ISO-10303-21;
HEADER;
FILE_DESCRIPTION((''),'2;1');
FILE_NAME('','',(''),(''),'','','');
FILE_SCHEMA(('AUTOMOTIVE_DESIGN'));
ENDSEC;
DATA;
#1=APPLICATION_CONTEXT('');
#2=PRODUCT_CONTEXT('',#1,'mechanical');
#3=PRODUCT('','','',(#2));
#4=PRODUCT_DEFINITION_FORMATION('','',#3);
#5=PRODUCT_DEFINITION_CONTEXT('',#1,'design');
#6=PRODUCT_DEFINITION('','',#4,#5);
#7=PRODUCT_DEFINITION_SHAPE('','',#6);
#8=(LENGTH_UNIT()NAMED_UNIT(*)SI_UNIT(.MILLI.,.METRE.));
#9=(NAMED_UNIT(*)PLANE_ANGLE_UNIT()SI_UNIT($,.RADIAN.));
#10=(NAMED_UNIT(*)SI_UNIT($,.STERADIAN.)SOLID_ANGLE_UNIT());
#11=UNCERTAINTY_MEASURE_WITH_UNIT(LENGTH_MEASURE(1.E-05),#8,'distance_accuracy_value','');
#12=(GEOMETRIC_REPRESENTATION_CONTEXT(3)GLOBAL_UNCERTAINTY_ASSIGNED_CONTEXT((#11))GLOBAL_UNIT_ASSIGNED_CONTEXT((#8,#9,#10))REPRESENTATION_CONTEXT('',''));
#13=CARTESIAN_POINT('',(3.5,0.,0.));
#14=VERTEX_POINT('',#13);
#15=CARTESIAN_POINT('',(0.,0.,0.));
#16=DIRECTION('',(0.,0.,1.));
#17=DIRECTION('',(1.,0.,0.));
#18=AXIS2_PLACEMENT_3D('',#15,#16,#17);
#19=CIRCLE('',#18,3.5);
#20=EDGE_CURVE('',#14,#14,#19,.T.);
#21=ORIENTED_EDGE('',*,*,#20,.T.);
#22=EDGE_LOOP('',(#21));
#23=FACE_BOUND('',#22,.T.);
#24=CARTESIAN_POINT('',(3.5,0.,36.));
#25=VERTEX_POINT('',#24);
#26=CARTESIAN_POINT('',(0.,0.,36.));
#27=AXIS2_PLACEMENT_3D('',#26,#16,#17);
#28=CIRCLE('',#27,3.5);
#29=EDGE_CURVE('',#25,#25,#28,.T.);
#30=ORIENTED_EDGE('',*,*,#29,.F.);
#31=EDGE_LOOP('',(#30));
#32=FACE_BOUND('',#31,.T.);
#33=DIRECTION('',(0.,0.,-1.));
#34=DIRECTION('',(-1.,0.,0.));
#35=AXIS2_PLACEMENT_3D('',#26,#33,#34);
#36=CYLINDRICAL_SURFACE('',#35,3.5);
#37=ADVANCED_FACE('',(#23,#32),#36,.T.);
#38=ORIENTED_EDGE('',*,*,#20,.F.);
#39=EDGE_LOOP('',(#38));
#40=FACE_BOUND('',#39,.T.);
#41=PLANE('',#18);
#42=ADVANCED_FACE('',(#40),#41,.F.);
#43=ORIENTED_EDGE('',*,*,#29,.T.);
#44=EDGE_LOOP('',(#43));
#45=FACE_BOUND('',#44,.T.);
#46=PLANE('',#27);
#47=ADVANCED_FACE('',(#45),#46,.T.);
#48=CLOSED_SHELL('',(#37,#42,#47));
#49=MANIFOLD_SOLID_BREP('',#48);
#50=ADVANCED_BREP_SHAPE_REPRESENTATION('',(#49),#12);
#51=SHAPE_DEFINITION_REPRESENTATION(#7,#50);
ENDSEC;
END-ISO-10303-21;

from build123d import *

# Parameters (mm, degrees)
CROQUIS1_R              = 3.5
SALIENTE_EXTRUIR1_DEPTH = 36


with BuildPart() as part:
    # Croquis1 → Saliente-Extruir1 (new body)
    with BuildSketch(Plane.XY):
        Circle(CROQUIS1_R)
    extrude(amount=SALIENTE_EXTRUIR1_DEPTH)


solid = part.part
